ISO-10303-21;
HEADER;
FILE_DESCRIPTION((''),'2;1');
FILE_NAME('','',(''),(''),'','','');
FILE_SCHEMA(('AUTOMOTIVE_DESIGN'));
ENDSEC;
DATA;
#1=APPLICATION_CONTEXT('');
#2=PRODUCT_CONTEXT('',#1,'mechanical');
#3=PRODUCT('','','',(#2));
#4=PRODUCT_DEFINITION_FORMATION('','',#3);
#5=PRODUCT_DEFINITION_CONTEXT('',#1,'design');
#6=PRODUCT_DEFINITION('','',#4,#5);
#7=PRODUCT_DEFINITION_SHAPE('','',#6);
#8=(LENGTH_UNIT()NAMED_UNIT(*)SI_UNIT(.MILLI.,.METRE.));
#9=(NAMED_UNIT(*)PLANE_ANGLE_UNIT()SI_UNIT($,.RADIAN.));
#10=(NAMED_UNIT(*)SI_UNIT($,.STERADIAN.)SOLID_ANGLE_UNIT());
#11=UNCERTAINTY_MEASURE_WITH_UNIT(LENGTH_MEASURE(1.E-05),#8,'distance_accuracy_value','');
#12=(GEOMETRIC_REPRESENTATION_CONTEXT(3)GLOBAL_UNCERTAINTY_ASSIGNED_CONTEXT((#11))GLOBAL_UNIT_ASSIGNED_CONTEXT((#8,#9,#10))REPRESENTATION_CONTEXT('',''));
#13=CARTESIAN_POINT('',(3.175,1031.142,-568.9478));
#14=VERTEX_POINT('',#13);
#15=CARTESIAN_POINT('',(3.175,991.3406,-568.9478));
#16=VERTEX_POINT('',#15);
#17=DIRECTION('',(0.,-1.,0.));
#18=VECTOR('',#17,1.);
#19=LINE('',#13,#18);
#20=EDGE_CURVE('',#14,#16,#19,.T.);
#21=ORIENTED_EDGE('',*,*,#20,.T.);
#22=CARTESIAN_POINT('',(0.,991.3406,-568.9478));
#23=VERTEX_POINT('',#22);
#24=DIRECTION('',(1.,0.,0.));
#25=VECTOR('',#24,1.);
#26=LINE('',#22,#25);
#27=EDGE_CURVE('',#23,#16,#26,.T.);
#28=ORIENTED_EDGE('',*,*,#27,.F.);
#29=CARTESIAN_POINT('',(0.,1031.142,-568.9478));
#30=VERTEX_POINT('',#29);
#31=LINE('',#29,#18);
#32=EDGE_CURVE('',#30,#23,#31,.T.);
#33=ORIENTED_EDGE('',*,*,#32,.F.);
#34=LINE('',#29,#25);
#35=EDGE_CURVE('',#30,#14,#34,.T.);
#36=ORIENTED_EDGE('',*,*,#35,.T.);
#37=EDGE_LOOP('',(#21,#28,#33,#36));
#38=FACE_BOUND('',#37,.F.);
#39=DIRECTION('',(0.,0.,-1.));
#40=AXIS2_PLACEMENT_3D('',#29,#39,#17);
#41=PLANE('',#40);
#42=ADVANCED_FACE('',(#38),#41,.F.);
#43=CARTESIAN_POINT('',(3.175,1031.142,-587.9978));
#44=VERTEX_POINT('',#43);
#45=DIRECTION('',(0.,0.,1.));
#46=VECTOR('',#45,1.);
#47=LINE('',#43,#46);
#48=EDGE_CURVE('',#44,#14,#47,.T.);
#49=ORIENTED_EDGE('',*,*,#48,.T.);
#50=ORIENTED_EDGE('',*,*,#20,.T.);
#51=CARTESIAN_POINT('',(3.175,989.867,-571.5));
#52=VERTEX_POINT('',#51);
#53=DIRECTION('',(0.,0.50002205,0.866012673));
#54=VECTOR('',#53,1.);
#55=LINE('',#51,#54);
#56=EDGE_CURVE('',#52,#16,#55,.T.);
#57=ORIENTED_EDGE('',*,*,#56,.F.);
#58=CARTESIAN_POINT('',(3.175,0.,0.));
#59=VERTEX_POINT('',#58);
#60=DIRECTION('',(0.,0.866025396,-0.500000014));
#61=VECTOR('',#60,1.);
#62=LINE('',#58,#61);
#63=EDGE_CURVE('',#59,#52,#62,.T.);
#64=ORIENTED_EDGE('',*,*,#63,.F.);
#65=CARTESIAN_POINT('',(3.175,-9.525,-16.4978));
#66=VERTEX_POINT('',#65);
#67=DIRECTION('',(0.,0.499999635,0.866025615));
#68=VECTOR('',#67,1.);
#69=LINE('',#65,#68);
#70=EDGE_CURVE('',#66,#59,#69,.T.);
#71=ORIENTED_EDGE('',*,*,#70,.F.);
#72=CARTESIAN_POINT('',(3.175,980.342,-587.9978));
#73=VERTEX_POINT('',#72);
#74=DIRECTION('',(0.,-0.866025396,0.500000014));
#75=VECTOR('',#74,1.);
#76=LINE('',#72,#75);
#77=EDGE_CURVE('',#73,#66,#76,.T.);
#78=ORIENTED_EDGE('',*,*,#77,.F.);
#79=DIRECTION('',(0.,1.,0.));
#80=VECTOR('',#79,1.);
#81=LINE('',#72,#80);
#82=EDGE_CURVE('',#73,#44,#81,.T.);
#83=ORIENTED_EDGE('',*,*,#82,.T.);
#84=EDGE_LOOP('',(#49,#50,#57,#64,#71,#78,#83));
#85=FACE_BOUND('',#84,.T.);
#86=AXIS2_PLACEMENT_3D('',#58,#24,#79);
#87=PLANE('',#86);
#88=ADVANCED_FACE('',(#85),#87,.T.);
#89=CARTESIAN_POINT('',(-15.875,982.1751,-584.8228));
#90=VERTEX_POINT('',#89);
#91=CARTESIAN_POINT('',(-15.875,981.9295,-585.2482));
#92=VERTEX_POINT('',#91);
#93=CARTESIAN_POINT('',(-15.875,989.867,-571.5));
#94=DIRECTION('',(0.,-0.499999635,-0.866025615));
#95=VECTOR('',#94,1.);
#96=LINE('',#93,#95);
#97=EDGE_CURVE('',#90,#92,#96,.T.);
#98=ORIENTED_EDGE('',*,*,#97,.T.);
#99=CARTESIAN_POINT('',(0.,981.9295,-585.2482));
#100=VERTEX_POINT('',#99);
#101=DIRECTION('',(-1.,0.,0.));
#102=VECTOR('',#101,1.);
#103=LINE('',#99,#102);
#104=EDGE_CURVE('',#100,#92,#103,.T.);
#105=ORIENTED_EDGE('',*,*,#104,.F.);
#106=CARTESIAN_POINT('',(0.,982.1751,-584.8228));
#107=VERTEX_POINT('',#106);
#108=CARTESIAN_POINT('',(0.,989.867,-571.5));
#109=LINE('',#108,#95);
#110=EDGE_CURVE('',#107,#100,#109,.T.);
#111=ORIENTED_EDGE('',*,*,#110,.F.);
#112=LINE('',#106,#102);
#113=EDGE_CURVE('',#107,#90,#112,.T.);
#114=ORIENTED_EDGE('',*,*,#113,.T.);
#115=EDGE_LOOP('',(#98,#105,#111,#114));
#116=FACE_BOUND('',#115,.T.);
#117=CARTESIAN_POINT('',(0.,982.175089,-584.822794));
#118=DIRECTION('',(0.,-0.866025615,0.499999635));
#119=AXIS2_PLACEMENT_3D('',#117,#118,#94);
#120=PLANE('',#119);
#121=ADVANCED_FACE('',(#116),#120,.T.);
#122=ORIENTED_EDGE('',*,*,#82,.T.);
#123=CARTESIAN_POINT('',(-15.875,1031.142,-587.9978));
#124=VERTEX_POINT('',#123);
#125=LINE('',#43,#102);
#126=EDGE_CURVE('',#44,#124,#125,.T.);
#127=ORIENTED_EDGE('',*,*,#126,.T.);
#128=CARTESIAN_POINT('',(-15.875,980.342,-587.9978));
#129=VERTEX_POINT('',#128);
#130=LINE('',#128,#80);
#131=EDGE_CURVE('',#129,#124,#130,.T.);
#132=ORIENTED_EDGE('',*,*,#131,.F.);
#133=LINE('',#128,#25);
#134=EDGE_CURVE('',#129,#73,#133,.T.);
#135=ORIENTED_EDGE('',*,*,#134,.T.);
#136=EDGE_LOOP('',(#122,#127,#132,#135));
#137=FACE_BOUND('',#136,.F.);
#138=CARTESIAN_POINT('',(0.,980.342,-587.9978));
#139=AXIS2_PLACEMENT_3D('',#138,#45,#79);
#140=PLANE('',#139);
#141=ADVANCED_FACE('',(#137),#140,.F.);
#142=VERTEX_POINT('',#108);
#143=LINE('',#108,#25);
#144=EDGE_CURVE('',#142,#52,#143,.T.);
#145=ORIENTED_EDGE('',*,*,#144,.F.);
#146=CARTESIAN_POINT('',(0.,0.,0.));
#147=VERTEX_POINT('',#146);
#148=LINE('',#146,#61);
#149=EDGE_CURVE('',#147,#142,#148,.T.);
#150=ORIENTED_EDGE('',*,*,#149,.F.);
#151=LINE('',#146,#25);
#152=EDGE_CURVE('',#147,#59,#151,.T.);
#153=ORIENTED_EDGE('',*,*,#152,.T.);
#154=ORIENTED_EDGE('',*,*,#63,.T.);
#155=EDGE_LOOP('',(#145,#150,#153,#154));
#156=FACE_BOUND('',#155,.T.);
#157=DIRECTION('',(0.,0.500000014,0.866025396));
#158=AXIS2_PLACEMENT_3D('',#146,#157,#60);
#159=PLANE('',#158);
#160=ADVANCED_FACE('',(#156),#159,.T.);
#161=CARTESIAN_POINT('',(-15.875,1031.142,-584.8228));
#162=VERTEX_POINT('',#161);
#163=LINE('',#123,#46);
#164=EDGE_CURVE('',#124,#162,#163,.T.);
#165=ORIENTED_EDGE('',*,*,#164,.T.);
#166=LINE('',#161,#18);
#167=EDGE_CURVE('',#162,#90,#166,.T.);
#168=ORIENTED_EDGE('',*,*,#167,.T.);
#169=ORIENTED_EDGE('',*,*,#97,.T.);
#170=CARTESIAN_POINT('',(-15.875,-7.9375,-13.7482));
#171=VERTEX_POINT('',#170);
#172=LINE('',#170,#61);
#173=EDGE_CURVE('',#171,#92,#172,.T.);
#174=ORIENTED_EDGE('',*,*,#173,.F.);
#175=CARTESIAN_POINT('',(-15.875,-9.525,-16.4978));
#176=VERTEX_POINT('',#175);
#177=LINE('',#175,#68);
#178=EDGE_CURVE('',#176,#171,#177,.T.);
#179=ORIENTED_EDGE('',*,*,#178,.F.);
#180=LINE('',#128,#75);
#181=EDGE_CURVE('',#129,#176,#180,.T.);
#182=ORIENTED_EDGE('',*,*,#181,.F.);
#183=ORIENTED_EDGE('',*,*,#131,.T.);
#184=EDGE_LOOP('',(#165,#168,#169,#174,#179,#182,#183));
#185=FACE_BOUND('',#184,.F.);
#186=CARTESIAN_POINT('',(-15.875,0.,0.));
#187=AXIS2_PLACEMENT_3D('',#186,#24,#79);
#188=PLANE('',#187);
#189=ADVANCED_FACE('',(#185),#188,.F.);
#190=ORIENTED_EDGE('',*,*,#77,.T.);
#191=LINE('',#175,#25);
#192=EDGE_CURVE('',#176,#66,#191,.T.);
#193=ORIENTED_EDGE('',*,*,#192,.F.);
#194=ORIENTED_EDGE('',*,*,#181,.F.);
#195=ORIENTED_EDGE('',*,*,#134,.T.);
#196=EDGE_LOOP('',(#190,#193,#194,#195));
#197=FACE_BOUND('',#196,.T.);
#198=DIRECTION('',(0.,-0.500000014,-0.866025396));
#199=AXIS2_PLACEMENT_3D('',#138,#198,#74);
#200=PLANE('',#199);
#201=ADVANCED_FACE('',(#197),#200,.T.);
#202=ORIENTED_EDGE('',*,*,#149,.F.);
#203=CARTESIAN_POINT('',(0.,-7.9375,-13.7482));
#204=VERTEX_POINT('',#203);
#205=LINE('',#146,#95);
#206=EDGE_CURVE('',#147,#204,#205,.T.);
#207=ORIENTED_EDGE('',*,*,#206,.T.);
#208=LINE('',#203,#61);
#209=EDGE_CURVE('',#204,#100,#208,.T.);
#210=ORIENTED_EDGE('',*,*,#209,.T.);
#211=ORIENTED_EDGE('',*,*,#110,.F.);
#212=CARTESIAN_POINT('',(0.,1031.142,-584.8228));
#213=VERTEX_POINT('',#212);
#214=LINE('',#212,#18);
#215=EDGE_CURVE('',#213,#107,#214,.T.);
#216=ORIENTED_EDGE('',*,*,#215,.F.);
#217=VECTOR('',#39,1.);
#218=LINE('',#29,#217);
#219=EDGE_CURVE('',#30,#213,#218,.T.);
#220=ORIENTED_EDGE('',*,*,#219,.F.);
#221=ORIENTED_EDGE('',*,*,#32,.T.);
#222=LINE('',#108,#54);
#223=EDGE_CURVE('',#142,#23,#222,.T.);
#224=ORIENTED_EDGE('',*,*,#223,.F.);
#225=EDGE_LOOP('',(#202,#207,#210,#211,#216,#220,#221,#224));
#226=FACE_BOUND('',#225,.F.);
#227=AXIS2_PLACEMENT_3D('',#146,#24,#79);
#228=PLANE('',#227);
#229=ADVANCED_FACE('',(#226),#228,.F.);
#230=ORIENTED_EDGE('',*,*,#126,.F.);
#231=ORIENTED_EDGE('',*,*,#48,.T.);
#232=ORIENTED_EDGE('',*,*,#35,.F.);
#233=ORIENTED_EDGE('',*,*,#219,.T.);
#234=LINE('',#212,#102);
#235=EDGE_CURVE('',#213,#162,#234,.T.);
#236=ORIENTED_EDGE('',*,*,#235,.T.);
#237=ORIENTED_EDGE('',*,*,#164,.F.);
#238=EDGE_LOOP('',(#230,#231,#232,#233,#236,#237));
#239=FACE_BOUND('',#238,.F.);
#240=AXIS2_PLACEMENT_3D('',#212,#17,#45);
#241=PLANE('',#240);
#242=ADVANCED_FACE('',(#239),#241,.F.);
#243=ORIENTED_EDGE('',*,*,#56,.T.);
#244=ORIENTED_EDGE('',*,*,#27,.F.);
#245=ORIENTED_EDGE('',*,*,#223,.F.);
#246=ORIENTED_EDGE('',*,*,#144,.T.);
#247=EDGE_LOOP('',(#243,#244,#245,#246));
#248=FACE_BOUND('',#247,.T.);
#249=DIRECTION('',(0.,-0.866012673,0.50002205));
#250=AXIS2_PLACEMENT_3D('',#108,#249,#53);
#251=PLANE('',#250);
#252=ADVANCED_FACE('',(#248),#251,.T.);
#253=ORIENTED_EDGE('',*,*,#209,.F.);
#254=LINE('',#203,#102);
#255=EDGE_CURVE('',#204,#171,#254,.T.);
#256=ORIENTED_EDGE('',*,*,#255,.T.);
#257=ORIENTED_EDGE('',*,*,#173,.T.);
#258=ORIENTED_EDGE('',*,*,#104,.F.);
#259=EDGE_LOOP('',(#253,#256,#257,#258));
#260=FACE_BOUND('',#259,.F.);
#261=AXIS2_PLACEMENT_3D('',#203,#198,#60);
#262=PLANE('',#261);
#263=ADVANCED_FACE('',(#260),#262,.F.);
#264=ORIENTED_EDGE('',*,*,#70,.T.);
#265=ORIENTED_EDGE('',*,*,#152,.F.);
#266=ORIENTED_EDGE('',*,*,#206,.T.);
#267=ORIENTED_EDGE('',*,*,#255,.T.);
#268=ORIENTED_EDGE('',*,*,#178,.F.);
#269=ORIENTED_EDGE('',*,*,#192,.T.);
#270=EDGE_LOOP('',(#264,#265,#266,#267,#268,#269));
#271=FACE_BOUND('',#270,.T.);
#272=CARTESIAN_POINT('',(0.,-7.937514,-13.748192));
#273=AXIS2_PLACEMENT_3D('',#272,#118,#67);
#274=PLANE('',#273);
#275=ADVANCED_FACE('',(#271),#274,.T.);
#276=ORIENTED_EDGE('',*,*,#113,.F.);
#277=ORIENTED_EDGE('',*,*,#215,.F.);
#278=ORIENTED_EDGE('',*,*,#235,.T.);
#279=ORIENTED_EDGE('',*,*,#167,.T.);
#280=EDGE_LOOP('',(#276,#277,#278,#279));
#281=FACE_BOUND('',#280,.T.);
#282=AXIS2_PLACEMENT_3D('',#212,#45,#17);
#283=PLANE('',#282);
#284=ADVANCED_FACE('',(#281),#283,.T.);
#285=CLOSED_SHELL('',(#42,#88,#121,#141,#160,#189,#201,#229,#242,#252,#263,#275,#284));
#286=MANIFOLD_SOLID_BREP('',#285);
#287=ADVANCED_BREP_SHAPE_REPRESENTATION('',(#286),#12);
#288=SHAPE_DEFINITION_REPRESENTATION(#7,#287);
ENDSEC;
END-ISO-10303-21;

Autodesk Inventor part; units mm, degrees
ref_plane "YZ Plane" through (0, 0, 0) normal (1, 0, 0) x (0, 1, 0)
ref_plane "XZ Plane" through (0, 0, 0) normal (0, 1, 0) x (-1, 0, 0)
ref_plane "XY Plane" through (0, 0, 0) normal (0, 0, 1) x (1, 0, 0)
sketch "Sketch1" plane through (0, 0, 0) normal (1, 0, 0) x (0, 1, 0)
  line L0 (0, 0) -> (989.867, -571.5)
  line L1 (989.867, -571.5) -> (980.342, -587.9978)
  line L2 (980.342, -587.9978) -> (-9.525, -16.4978)
  line L3 (-9.525, -16.4978) -> (0, 0)
  line L4 (0, 0) -> (51.1145, 0)
  line L5 (980.342, -587.9978) -> (1031.142, -587.9978)
  line L6 (1031.142, -587.9978) -> (1031.142, -568.9478)
  line L7 (989.867, -571.5) -> (991.3406, -568.9478)
  line L8 (1031.142, -568.9478) -> (991.3406, -568.9478)
  line L9 (-9.525, -16.4978) -> (-7.9375, -13.7482)
  line L10 (-7.9375, -13.7482) -> (981.9295, -585.2482)
  line L11 (1031.142, -587.9978) -> (1031.142, -584.8228)
  line L12 (1031.142, -584.8228) -> (982.1751, -584.8228)
  dimension "d0" = 1143
  dimension "d1" = 19.05
  dimension "d2" = 1143
  dimension "d3" = 30
  dimension "d4" = 50.8
  dimension "d5" = 19.05
  dimension "d6" = 3.175
  dimension "d7" = 1143
  dimension "d8" = 3.175
extrude "Extrusion1" add sketch "Sketch1" along normal blind 3.175
extrude "Extrusion2" add sketch "Sketch1" against normal blind 15.875 contours L10 L1 L2 L3 | L12 L6 L5 L1
properties part number "DiagL2"
